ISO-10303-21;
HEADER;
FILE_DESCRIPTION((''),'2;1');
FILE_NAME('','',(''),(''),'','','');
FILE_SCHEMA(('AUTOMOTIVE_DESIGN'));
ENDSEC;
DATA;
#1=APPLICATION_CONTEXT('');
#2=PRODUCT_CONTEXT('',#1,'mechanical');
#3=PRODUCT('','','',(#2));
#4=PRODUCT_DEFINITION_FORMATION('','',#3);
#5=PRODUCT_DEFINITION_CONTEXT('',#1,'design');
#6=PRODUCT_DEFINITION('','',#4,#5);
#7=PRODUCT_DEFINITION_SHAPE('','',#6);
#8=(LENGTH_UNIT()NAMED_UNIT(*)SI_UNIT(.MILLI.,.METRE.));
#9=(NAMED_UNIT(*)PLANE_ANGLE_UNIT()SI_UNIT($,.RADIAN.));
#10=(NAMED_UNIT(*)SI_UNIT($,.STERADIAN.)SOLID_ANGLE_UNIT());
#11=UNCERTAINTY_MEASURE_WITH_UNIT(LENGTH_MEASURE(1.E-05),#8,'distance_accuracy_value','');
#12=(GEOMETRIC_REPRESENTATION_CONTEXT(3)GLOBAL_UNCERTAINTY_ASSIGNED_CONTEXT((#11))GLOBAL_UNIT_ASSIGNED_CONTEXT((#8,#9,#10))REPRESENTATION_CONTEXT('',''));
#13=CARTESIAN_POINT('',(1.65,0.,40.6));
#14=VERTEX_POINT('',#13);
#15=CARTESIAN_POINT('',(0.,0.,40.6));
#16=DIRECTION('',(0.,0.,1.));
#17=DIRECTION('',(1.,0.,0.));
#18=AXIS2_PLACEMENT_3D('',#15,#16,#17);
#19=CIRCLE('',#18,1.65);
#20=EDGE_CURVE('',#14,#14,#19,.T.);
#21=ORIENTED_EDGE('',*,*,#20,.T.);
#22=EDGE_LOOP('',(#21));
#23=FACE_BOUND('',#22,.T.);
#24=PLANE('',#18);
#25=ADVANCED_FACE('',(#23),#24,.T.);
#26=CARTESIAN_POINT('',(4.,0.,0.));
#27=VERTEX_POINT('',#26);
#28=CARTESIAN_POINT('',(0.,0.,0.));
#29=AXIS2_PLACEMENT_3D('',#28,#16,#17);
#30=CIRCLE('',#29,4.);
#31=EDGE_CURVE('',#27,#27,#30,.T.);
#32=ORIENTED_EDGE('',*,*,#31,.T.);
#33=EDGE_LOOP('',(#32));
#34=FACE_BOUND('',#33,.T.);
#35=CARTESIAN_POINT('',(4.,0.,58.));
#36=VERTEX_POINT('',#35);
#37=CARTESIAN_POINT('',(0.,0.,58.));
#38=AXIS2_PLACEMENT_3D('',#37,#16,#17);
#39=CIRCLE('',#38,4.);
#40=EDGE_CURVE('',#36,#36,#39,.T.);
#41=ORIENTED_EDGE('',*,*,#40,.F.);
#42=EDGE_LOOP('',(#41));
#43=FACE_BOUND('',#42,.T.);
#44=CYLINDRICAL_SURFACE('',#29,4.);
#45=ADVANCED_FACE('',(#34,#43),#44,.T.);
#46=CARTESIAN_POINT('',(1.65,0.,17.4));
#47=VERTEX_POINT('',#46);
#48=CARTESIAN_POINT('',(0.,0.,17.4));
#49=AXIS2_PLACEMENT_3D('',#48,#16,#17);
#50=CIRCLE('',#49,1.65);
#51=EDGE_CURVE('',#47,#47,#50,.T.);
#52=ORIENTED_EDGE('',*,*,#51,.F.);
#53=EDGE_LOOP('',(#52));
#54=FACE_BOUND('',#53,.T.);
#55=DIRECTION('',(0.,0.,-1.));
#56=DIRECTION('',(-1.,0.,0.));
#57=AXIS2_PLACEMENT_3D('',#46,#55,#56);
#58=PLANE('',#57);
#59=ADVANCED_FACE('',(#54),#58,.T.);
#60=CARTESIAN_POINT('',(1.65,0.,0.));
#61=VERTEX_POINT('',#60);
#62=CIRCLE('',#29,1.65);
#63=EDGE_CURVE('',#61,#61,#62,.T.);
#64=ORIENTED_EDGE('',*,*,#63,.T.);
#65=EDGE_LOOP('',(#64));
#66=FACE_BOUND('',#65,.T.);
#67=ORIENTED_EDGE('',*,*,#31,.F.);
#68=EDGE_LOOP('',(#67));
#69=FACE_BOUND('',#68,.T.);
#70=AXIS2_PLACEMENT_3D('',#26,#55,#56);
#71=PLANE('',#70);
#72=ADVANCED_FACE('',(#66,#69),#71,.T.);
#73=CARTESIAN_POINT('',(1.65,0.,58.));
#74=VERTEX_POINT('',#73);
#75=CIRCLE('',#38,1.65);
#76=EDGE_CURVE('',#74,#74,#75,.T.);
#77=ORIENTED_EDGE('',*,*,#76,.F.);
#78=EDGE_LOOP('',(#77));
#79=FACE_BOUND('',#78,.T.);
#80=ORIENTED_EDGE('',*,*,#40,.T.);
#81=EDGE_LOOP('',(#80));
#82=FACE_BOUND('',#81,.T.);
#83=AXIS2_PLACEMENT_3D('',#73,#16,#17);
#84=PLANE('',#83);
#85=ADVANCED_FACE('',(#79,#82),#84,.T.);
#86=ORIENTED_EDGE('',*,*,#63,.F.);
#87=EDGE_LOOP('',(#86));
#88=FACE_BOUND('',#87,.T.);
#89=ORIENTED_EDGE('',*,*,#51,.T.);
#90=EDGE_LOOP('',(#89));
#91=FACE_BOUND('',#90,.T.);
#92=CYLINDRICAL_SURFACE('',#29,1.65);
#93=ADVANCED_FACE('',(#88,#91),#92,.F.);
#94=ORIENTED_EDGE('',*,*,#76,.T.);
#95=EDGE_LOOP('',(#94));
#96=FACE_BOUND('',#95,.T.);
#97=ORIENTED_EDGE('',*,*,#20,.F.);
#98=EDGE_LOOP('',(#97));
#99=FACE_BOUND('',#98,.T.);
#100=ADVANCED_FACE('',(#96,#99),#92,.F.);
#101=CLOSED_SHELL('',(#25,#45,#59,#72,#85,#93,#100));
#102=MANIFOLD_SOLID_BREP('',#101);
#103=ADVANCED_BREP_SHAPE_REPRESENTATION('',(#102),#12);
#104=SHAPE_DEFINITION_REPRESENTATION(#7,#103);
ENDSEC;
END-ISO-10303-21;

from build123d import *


with BuildPart() as part:
    # Esquisse1 → Révolution1 (revolve)
    with BuildSketch(Plane(origin=(0, 0, 0), x_dir=(1, 0, 0), z_dir=(0, 1, 0))):
        Polygon((1.65, -17.4), (0, -17.4), (0, -40.6), (1.65, -40.6), (1.65, -58), (4, -58), (4, 0), (1.65, 0), align=None)
    revolve(axis=Axis((0, 0, 0), (0, 0, 1)))


solid = part.part
